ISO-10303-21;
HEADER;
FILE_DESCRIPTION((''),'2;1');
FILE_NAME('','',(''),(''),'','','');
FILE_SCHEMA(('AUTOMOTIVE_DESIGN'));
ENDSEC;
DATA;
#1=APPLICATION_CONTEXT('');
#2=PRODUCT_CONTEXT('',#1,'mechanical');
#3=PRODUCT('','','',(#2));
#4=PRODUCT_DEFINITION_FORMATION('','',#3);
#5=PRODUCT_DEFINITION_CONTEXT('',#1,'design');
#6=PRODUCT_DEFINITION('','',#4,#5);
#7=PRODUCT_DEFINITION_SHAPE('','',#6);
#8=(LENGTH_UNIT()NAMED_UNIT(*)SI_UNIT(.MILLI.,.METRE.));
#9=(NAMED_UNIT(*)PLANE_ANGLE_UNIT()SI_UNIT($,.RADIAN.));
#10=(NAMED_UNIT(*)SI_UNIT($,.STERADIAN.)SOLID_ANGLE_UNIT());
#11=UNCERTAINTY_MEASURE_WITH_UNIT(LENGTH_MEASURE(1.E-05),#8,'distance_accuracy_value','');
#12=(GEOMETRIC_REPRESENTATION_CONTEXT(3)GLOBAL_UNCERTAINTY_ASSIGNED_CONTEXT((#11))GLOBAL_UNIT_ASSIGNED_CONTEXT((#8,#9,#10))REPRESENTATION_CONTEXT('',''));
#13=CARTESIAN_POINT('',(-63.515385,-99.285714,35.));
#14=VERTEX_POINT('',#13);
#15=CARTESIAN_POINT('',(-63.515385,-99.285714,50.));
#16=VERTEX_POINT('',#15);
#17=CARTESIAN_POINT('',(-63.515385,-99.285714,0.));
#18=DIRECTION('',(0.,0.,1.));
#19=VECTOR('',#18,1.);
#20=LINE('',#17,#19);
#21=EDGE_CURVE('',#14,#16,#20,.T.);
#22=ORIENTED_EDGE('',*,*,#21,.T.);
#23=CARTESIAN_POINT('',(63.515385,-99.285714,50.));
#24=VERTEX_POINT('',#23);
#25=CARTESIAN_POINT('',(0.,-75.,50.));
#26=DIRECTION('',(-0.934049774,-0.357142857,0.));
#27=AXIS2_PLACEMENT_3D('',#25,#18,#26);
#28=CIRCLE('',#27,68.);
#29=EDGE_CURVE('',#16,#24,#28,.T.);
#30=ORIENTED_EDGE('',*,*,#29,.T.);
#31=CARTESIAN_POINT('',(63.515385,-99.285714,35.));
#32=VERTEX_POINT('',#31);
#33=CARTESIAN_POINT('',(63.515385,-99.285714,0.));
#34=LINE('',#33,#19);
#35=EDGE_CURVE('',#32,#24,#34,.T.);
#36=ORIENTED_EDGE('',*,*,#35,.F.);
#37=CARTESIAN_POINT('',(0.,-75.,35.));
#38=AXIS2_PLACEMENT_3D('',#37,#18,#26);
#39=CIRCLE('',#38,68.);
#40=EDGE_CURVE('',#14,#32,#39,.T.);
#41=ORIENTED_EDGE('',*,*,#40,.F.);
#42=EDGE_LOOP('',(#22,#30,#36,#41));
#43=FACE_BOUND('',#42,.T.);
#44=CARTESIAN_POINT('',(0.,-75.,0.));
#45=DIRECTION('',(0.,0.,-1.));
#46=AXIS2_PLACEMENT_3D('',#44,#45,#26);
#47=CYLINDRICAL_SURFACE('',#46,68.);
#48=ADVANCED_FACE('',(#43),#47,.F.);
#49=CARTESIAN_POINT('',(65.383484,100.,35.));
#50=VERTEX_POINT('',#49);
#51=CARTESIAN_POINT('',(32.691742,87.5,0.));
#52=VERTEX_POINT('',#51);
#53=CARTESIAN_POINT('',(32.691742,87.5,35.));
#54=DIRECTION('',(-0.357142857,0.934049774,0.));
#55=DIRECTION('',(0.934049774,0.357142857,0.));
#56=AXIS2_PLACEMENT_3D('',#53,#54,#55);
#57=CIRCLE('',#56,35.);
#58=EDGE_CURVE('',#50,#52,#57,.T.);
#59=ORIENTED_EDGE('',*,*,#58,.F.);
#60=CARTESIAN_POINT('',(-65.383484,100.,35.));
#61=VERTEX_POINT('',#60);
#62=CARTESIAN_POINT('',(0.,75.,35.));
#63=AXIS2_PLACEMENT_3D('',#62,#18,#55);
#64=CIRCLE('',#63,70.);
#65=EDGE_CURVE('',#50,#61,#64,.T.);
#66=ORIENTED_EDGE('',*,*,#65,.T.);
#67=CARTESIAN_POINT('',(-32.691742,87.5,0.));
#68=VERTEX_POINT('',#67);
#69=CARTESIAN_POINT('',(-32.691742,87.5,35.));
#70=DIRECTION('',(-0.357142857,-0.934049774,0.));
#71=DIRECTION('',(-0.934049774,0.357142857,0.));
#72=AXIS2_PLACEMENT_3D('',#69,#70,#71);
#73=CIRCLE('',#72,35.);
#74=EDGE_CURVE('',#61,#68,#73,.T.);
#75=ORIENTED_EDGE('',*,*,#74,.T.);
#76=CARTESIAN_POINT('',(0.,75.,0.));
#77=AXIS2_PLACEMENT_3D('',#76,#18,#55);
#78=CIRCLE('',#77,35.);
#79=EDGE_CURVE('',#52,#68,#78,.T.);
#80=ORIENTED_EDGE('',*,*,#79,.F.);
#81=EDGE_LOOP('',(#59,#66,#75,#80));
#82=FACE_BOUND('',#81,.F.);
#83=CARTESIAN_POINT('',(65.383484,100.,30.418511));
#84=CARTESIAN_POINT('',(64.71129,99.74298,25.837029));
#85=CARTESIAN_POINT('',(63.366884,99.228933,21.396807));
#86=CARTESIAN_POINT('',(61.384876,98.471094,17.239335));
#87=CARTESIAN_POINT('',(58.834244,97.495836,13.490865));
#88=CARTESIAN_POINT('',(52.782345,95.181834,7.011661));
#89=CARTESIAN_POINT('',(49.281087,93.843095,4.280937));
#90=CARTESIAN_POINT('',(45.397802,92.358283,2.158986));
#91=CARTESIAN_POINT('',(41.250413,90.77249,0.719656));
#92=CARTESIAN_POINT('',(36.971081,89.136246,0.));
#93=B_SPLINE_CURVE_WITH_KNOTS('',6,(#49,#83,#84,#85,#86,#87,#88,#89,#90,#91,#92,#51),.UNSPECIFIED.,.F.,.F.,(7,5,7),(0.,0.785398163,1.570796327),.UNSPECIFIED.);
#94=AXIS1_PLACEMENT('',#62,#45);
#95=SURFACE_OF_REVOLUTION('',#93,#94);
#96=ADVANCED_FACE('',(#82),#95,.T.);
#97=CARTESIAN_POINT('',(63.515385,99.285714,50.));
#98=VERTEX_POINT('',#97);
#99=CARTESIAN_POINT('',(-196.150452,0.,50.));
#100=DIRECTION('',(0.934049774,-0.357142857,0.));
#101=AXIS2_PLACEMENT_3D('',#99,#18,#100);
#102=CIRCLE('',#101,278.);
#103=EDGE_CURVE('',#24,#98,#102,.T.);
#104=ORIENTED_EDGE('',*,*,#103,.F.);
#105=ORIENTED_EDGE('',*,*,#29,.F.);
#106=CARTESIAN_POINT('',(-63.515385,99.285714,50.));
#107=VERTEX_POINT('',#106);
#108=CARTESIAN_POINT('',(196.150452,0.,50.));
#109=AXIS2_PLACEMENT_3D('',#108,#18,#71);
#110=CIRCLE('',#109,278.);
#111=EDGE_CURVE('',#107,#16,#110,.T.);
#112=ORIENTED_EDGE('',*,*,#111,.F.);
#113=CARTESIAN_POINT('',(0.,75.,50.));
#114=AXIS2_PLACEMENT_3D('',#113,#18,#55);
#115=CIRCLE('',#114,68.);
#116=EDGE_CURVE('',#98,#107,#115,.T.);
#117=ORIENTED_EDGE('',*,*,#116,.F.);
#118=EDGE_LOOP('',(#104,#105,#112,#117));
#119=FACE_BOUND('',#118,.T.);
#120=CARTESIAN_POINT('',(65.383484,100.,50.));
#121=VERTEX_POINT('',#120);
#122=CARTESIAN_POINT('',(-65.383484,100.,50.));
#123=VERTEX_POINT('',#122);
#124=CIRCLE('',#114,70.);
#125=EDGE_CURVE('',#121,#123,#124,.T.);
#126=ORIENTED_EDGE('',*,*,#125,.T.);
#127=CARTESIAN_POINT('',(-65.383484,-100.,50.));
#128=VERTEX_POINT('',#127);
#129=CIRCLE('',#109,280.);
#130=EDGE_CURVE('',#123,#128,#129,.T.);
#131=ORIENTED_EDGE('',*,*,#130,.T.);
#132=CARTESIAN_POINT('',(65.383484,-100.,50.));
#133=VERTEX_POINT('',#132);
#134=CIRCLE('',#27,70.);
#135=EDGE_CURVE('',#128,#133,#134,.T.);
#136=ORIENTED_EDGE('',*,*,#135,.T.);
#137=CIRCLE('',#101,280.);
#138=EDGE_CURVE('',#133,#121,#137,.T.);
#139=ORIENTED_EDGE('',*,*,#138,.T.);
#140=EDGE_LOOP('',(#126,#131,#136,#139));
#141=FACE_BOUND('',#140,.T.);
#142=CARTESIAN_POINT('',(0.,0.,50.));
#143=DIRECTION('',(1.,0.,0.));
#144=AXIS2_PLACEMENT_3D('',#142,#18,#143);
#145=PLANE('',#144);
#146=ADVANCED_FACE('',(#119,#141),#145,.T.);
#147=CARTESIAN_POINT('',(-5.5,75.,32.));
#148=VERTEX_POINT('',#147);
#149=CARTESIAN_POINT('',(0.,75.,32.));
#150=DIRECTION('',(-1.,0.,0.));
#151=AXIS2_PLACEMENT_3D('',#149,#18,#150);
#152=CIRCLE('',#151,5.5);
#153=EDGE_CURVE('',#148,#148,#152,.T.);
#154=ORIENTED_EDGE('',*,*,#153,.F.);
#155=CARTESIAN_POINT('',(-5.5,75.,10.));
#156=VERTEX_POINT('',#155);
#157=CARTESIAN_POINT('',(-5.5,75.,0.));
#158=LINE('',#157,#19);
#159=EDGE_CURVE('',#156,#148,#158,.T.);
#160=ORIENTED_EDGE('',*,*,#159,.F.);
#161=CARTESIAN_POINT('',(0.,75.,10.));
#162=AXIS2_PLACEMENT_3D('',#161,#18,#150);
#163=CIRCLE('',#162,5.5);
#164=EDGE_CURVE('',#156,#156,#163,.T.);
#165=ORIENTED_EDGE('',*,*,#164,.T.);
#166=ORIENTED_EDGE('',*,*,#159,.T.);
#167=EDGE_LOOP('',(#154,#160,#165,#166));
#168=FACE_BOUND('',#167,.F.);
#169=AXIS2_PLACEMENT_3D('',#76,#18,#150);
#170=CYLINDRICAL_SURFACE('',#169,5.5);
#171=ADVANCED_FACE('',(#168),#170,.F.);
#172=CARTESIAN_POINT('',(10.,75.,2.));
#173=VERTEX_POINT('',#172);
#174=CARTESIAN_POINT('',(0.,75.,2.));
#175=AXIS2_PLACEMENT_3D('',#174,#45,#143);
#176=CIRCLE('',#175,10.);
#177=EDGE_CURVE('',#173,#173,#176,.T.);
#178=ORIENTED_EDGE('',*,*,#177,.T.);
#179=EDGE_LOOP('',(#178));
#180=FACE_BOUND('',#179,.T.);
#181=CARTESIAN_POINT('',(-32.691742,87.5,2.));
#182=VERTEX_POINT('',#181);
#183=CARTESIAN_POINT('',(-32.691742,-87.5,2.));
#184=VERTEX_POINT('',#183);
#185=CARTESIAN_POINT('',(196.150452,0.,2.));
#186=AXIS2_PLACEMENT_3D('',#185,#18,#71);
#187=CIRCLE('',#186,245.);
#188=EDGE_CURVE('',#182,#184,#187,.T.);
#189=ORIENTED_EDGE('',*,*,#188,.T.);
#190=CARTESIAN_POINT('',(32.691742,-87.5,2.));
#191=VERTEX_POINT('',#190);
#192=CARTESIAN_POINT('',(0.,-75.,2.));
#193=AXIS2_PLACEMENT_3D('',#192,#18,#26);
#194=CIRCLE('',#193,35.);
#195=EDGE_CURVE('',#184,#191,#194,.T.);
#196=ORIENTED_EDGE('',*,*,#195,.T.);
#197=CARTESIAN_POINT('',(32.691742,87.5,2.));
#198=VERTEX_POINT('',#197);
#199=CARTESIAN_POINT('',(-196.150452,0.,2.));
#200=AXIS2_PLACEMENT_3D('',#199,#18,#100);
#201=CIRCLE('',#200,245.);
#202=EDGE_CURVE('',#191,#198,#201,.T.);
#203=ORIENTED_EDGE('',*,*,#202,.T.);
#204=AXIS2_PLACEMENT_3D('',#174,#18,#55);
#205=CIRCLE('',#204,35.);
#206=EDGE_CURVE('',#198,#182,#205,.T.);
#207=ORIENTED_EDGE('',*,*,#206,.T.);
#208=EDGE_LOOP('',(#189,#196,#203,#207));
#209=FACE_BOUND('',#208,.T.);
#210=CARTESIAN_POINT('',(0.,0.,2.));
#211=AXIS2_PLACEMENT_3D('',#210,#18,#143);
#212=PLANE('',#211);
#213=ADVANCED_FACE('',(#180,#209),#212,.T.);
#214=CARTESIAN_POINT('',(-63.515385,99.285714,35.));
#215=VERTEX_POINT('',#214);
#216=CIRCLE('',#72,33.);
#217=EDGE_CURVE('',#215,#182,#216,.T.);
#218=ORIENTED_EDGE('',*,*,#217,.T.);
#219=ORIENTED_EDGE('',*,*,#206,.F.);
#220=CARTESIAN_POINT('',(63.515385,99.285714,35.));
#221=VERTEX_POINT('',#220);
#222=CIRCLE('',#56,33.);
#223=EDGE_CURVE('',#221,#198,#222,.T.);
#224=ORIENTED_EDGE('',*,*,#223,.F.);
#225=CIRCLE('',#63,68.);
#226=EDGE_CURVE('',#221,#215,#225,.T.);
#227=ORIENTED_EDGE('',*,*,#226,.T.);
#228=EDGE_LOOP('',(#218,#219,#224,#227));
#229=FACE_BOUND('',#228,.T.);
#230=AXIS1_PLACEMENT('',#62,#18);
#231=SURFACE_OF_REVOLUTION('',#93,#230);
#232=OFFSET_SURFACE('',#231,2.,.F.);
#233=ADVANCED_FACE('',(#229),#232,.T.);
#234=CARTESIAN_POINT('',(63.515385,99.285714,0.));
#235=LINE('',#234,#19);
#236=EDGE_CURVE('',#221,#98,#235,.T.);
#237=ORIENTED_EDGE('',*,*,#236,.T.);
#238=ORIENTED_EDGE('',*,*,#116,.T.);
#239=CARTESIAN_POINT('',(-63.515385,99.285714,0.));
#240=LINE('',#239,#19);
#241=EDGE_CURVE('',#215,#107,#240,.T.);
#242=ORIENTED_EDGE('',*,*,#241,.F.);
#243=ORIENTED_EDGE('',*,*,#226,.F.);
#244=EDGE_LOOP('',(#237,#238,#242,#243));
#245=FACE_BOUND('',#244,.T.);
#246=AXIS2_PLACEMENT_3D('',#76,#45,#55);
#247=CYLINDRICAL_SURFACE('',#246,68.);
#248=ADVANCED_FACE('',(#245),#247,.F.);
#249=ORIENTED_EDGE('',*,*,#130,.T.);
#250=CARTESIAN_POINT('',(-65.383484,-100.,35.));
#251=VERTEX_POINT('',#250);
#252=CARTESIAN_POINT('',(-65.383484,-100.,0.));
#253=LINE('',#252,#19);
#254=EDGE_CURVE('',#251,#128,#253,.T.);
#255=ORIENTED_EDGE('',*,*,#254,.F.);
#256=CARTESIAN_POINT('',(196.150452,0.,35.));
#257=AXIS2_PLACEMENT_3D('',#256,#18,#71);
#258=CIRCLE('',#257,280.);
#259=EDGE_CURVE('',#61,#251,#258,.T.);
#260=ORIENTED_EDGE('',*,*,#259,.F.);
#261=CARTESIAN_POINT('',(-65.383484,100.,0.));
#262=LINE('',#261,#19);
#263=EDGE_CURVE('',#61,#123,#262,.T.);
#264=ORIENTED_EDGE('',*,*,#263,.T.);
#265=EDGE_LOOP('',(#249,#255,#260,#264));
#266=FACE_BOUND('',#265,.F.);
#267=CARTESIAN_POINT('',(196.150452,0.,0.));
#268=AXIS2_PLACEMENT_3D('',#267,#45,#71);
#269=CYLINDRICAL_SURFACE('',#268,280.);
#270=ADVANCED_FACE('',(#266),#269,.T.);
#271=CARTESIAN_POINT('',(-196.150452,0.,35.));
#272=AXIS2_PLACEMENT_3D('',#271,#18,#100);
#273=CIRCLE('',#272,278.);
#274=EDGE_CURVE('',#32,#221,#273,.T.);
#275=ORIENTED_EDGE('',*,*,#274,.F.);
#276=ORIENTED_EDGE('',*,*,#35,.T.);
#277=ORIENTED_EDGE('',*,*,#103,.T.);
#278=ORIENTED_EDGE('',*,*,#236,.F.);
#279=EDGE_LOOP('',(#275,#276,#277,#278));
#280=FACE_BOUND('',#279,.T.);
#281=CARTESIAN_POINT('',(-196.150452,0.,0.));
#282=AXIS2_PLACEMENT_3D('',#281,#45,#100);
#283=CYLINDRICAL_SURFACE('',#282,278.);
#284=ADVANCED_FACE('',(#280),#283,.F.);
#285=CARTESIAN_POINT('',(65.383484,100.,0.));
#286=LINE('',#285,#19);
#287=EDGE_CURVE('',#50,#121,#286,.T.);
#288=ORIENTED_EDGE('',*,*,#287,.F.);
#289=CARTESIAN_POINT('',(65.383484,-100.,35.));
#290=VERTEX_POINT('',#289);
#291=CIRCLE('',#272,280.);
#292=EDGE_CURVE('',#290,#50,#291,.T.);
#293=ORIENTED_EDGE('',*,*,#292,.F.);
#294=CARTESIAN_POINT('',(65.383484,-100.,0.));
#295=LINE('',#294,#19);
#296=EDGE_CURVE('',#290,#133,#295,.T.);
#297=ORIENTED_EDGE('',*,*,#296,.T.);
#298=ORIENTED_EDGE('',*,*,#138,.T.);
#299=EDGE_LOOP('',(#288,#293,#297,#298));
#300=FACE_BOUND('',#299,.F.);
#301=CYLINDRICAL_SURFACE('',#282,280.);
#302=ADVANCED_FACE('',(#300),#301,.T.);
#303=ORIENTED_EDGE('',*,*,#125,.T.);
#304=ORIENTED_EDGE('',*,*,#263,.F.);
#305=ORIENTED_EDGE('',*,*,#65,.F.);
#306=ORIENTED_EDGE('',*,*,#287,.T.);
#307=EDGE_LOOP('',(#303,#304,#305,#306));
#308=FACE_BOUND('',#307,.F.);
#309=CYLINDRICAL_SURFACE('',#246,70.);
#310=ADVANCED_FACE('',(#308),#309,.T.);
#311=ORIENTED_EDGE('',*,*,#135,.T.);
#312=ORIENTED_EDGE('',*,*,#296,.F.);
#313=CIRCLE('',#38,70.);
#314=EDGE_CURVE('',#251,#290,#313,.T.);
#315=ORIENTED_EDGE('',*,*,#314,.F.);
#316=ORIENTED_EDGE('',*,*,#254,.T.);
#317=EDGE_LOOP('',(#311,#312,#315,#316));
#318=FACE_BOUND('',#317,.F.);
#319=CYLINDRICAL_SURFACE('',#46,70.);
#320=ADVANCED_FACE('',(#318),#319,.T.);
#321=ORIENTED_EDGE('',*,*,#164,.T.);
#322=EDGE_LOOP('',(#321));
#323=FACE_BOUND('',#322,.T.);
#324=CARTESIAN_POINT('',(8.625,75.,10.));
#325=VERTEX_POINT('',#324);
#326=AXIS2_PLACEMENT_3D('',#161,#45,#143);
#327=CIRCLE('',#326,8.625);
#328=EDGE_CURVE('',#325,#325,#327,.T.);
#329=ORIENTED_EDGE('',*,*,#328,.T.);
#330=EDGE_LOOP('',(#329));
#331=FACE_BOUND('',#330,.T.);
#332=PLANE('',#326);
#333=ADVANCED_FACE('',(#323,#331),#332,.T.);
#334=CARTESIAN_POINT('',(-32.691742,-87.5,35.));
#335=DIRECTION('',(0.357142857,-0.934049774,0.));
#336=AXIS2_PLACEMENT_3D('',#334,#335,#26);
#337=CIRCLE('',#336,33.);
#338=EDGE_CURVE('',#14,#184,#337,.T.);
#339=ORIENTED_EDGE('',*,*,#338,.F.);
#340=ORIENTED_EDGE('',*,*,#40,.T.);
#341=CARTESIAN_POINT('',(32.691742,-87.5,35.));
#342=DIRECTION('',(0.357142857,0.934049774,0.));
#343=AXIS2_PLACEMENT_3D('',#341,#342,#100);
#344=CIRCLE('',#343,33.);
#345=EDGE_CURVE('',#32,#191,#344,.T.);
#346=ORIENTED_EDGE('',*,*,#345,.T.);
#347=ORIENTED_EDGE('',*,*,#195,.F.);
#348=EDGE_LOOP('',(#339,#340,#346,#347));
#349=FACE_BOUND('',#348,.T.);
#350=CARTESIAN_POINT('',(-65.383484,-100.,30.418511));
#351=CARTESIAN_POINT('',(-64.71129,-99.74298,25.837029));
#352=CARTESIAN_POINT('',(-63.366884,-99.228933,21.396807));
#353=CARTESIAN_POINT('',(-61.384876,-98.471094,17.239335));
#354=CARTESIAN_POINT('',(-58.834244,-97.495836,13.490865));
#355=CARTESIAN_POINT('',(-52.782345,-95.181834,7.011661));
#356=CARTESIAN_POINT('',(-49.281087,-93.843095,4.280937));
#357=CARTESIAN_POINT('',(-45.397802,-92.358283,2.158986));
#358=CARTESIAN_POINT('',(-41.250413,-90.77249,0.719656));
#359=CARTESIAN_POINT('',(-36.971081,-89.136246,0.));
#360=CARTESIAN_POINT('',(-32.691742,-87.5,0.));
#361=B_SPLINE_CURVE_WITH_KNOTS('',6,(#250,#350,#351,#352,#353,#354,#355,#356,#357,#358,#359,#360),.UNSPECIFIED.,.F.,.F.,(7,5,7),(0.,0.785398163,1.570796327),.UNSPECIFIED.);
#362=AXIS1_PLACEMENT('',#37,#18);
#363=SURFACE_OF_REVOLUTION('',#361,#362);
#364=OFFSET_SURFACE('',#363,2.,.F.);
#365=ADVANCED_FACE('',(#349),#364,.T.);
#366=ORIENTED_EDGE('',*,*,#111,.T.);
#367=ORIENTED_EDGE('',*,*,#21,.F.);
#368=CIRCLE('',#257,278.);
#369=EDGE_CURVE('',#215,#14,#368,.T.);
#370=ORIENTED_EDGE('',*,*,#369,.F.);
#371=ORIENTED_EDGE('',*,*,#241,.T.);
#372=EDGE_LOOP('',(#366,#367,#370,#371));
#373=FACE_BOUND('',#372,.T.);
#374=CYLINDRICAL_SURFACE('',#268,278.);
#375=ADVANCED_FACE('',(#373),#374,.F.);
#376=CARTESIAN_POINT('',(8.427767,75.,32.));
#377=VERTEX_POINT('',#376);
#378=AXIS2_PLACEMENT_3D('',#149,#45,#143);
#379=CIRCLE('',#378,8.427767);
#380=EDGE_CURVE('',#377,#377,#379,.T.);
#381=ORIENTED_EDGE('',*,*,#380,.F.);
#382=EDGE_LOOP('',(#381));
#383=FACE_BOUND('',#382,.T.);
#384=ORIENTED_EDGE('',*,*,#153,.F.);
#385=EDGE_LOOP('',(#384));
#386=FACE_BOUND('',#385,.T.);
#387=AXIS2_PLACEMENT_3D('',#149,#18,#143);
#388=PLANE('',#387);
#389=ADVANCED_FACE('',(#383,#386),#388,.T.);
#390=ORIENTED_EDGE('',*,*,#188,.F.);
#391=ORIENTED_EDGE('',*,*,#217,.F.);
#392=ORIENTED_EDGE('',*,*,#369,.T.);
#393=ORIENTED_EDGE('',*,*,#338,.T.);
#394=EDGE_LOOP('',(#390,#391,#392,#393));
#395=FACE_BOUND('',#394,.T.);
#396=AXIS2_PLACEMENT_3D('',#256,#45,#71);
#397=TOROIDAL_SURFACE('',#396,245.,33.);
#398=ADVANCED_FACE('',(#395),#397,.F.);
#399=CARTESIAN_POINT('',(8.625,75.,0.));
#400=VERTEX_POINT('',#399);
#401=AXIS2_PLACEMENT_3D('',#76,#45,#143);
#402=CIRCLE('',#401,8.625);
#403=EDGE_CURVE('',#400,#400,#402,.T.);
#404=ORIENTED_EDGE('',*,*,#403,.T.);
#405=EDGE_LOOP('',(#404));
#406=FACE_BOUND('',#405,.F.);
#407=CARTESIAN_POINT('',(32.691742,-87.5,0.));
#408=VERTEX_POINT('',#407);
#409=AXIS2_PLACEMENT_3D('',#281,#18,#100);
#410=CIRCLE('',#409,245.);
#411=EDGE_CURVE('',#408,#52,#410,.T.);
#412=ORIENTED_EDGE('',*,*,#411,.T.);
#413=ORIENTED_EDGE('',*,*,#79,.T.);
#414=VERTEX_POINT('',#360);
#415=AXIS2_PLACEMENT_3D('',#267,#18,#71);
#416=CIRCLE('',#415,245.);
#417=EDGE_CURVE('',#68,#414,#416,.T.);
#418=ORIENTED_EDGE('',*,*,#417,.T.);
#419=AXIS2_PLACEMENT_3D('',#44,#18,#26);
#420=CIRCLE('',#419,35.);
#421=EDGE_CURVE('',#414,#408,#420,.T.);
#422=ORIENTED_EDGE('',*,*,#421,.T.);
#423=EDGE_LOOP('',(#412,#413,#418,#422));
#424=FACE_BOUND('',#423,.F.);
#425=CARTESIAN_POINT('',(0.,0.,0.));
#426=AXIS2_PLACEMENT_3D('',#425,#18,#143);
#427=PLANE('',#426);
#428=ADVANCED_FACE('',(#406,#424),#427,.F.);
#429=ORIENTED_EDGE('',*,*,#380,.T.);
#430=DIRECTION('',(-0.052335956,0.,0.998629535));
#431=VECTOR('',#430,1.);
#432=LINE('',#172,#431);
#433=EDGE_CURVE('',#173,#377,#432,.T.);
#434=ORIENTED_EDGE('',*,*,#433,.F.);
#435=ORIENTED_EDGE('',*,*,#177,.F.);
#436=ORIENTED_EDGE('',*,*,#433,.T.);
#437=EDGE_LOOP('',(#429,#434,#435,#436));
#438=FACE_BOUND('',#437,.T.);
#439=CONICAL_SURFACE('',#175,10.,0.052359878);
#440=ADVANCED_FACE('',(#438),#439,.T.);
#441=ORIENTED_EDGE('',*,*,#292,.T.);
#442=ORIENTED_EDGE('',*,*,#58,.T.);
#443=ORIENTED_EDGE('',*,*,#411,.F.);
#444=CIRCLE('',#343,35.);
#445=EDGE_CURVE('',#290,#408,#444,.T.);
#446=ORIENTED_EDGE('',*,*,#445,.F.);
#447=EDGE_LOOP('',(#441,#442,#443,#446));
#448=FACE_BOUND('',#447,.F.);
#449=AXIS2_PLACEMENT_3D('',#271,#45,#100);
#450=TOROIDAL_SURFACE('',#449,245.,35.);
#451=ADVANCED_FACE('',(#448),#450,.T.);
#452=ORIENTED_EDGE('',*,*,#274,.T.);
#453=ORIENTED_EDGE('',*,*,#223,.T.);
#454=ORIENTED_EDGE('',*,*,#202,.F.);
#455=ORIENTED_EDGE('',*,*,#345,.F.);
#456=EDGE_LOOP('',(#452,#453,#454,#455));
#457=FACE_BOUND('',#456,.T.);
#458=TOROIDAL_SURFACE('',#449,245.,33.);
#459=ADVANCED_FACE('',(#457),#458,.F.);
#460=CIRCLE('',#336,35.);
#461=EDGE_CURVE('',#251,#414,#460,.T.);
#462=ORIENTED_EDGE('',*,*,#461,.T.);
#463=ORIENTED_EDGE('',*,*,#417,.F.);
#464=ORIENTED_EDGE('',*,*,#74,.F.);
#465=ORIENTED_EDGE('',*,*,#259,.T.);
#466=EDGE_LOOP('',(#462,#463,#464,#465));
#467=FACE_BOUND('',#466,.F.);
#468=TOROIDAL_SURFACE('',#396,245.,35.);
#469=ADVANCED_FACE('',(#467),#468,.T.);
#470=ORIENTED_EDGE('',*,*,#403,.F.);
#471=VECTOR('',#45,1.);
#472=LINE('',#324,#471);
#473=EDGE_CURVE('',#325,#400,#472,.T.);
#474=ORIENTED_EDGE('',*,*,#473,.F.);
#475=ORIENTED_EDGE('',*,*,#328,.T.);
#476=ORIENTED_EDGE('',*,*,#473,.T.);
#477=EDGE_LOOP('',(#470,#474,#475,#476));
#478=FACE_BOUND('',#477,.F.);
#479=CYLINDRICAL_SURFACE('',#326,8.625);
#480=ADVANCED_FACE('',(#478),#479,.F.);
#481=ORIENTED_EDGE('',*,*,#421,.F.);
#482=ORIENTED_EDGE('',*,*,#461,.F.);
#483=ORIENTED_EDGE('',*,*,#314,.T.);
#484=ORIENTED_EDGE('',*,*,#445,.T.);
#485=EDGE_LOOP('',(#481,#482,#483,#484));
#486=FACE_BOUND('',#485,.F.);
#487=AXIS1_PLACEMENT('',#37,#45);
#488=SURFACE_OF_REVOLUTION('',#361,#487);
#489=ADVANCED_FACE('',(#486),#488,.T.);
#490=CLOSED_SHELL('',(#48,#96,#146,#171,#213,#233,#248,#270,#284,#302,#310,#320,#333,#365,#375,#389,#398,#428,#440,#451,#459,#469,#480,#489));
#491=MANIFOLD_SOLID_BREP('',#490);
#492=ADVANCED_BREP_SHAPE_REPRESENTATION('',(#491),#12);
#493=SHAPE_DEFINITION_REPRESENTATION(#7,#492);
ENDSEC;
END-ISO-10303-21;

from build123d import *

# Parameters (mm, degrees)
F1_DEPTH       = 50
F2_R           = 35
F3_T           = -2
F4_R           = 10
F5_DEPTH       = 30
F5_TAPER       = 3
F7_D           = 11
F7_CBORE_D     = 17.25
F7_CBORE_DEPTH = 10


with BuildPart() as f1:
    # F0 (on Top) → F1 (new body)
    with BuildSketch(Plane.XY):
        with BuildLine():
            ThreePointArc((65.3834841531, 100), (0, 145), (-65.3834841531, 100))
            ThreePointArc((-65.3834841531, 100), (-83.8495475407, 0), (-65.3834841531, -100))
            ThreePointArc((-65.3834841531, -100), (0, -145), (65.3834841531, -100))
            ThreePointArc((65.3834841531, -100), (83.8495475407, 0), (65.3834841531, 100))
        make_face()
    extrude(amount=F1_DEPTH)

    # F2
    f2_edges = [f1.edges().sort_by_distance(p)[0] for p in [
        (0, -145, 0),
    ]]
    fillet(f2_edges, radius=F2_R)

    # F3
    f3_openings = [f1.faces().sort_by_distance(p)[0] for p in [
        (0, 0, 50),
    ]]
    offset(amount=F3_T, openings=f3_openings)

    # F4 (on face) → F5 (join)
    with BuildSketch(Plane.XY.offset(2)):
        with Locations((0, 75)):
            Circle(F4_R)
    extrude(amount=F5_DEPTH, taper=F5_TAPER)

    # F7 (through all)
    with Locations(Plane(origin=(0, 0, 0), x_dir=(1, 0, 0), z_dir=(0, 0, -1))):
        with Locations((0, -75)):
            CounterBoreHole(F7_D / 2, F7_CBORE_D / 2, F7_CBORE_DEPTH)


solid = f1.part
